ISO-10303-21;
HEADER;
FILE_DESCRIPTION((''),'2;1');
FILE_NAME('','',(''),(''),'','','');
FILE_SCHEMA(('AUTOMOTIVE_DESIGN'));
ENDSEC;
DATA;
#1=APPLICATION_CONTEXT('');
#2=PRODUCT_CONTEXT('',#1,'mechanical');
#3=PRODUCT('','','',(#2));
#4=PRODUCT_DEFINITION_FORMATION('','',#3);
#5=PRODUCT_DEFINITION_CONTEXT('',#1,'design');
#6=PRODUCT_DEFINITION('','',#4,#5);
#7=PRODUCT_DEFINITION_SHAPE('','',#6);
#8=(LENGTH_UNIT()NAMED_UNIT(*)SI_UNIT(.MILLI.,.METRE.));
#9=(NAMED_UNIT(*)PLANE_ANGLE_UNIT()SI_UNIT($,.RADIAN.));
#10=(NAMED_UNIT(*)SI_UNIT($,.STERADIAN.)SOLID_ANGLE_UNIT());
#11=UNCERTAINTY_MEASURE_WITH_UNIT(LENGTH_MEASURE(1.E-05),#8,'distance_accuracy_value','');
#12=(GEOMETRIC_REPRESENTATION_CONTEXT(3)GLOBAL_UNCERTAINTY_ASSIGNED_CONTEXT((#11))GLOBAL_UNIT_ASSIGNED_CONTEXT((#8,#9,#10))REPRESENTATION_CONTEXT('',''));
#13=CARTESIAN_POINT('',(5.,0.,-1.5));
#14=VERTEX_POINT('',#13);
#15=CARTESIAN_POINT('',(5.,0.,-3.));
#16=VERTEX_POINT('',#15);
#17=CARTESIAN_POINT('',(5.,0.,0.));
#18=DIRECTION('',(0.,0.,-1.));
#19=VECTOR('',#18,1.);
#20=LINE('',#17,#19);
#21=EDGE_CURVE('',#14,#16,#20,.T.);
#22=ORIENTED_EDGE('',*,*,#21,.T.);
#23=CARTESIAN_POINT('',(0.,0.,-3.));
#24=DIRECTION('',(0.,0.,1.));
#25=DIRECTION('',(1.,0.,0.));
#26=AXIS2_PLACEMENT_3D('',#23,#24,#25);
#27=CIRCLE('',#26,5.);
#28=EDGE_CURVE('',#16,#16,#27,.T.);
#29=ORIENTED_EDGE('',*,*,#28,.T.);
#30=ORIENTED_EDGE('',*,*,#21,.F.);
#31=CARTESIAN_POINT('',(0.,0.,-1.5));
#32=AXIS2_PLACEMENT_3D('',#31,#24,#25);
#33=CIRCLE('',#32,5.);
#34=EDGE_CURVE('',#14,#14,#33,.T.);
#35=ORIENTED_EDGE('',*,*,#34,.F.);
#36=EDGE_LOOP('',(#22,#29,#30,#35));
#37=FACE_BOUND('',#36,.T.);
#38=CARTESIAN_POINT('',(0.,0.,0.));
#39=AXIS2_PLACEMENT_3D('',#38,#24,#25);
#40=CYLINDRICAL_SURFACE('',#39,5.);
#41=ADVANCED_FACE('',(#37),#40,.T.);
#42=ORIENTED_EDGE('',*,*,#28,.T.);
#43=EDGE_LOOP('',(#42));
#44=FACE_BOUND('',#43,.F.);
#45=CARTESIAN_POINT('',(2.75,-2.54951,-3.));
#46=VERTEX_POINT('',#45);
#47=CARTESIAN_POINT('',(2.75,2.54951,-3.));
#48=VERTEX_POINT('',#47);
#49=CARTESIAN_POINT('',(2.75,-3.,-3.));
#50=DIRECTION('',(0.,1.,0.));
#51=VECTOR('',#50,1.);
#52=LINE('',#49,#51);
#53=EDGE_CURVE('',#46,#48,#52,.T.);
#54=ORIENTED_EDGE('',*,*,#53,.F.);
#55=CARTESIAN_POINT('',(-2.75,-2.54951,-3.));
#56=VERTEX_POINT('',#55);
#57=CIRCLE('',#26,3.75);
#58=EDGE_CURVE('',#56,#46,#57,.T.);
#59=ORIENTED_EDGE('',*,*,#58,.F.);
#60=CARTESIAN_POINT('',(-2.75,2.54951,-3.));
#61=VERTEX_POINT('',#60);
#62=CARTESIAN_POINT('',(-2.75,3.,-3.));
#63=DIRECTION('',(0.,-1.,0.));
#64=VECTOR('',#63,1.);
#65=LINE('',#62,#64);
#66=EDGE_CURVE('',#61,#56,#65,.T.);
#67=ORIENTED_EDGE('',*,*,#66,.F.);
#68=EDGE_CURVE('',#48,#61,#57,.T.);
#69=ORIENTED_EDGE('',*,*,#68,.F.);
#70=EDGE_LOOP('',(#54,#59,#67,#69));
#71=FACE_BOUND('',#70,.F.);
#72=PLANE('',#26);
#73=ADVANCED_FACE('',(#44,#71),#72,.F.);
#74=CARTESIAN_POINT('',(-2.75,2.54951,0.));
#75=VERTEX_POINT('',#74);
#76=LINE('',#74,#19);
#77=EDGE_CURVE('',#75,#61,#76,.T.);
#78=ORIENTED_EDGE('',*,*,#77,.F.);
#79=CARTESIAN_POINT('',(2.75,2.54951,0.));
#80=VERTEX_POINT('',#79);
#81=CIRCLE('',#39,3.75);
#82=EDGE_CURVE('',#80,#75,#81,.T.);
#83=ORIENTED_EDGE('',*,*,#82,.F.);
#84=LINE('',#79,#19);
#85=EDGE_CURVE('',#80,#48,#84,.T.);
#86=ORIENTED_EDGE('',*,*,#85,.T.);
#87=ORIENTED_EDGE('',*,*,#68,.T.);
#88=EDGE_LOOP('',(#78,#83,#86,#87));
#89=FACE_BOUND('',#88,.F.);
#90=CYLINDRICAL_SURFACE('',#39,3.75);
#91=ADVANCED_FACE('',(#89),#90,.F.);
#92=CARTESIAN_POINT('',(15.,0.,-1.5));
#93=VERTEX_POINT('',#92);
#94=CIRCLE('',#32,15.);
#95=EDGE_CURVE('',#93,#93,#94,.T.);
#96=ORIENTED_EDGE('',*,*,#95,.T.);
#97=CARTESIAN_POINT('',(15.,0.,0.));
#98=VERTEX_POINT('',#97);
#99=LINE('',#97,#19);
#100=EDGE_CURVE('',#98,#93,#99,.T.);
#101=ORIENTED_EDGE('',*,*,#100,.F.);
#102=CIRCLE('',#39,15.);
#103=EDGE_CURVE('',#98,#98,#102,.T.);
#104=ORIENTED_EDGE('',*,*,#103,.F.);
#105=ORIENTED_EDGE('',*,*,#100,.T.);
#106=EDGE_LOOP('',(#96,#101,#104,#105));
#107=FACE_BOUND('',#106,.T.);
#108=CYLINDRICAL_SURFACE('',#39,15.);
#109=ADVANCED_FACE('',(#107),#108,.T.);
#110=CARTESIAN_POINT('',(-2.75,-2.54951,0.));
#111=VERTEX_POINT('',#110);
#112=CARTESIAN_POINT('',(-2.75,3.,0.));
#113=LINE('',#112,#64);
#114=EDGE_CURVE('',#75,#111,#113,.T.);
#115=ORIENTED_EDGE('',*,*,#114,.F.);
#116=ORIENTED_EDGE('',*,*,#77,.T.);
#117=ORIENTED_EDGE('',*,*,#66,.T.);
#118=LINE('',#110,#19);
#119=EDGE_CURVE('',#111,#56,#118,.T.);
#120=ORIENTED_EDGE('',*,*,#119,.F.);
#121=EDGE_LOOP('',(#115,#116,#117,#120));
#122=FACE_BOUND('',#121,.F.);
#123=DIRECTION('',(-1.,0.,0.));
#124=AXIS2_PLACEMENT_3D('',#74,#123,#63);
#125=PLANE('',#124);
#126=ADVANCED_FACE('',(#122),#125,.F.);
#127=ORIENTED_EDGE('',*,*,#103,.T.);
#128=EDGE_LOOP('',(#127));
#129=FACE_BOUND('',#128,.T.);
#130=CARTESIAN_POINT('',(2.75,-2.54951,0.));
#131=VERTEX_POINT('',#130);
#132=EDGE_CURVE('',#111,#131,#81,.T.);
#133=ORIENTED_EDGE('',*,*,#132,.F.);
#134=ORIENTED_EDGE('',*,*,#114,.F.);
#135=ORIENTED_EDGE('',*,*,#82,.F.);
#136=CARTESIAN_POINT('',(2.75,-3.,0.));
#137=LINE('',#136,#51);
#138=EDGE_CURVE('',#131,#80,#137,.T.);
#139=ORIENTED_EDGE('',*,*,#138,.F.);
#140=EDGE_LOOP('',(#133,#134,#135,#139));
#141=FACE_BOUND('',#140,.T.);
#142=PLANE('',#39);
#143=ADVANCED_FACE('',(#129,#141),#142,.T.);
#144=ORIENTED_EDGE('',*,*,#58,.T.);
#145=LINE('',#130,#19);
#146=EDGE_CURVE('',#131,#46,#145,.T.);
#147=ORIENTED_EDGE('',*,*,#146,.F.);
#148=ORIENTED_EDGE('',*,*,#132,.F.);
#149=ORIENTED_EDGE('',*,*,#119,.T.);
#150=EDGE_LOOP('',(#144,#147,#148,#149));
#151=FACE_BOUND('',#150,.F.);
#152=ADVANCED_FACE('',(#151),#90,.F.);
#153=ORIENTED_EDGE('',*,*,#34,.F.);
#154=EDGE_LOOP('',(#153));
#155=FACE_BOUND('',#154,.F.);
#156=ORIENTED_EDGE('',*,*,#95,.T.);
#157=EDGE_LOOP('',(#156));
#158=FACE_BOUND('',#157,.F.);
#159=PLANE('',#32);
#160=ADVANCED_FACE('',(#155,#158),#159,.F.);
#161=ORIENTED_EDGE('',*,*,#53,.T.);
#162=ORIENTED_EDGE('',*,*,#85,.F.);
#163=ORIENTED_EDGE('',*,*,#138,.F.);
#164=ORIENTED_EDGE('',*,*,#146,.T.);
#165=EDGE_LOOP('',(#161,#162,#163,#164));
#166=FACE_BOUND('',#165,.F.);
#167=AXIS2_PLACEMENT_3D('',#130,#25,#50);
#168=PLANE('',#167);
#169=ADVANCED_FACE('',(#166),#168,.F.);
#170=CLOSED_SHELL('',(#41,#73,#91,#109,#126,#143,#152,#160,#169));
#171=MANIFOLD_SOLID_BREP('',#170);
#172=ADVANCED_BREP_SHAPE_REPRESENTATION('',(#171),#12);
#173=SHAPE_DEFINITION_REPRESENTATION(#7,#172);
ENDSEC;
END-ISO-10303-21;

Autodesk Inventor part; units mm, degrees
ref_plane "YZ Plane" through (0, 0, 0) normal (1, 0, 0) x (0, 1, 0)
ref_plane "XZ Plane" through (0, 0, 0) normal (0, 1, 0) x (-1, 0, 0)
ref_plane "XY Plane" through (0, 0, 0) normal (0, 0, 1) x (1, 0, 0)
sketch "スケッチ1" plane through (0, 0, 0) normal (0, 0, 1) x (1, 0, 0)
  circle A0 centre (0, 0) radius 5
  circle A1 centre (0, 0) radius 3.75
  line L0 (-3.75, 3) -> (-2.75, 3)
  line L1 (-2.75, 3) -> (-2.75, -3)
  line L2 (-2.75, -3) -> (-3.75, -3)
  line L3 (-3.75, -3) -> (-3.75, 3)
  line L4 (3.75, -3) -> (2.75, -3)
  line L5 (2.75, -3) -> (2.75, 3)
  line L6 (2.75, 3) -> (3.75, 3)
  line L7 (3.75, 3) -> (3.75, -3)
  dimension "d0" = 10
  dimension "d1" = 7.5
  dimension "d2" = 5.5
  dimension "d3" = 1
  dimension "d4" = 1
  dimension "d5" = 6
  dimension "d6" = 6
  dimension "d7" = 3
  dimension "d8" = 2.75
  dimension "d17" = 3
extrude "押し出し1" add sketch "スケッチ1" against normal blind 3 contours A0 | A1 L5 | L7 L4 L5 A1 | A1 L5 L6 L7 | L1 A1 | A1 L3 L0 L1 | L1 L2 L3 A1
sketch "スケッチ2" plane through (0, 0, 0) normal (0, 0, 1) x (1, 0, 0)
  circle A0 centre (0, 0) radius 15
  circle A1 centre (0, 0) radius 4
  dimension "d11" = 30
  dimension "d14" = 8
extrude "押し出し3" add sketch "スケッチ2" against normal blind 1.5
equation "\"d8\" = 0.5 * d2"
properties part number "disc_put"
